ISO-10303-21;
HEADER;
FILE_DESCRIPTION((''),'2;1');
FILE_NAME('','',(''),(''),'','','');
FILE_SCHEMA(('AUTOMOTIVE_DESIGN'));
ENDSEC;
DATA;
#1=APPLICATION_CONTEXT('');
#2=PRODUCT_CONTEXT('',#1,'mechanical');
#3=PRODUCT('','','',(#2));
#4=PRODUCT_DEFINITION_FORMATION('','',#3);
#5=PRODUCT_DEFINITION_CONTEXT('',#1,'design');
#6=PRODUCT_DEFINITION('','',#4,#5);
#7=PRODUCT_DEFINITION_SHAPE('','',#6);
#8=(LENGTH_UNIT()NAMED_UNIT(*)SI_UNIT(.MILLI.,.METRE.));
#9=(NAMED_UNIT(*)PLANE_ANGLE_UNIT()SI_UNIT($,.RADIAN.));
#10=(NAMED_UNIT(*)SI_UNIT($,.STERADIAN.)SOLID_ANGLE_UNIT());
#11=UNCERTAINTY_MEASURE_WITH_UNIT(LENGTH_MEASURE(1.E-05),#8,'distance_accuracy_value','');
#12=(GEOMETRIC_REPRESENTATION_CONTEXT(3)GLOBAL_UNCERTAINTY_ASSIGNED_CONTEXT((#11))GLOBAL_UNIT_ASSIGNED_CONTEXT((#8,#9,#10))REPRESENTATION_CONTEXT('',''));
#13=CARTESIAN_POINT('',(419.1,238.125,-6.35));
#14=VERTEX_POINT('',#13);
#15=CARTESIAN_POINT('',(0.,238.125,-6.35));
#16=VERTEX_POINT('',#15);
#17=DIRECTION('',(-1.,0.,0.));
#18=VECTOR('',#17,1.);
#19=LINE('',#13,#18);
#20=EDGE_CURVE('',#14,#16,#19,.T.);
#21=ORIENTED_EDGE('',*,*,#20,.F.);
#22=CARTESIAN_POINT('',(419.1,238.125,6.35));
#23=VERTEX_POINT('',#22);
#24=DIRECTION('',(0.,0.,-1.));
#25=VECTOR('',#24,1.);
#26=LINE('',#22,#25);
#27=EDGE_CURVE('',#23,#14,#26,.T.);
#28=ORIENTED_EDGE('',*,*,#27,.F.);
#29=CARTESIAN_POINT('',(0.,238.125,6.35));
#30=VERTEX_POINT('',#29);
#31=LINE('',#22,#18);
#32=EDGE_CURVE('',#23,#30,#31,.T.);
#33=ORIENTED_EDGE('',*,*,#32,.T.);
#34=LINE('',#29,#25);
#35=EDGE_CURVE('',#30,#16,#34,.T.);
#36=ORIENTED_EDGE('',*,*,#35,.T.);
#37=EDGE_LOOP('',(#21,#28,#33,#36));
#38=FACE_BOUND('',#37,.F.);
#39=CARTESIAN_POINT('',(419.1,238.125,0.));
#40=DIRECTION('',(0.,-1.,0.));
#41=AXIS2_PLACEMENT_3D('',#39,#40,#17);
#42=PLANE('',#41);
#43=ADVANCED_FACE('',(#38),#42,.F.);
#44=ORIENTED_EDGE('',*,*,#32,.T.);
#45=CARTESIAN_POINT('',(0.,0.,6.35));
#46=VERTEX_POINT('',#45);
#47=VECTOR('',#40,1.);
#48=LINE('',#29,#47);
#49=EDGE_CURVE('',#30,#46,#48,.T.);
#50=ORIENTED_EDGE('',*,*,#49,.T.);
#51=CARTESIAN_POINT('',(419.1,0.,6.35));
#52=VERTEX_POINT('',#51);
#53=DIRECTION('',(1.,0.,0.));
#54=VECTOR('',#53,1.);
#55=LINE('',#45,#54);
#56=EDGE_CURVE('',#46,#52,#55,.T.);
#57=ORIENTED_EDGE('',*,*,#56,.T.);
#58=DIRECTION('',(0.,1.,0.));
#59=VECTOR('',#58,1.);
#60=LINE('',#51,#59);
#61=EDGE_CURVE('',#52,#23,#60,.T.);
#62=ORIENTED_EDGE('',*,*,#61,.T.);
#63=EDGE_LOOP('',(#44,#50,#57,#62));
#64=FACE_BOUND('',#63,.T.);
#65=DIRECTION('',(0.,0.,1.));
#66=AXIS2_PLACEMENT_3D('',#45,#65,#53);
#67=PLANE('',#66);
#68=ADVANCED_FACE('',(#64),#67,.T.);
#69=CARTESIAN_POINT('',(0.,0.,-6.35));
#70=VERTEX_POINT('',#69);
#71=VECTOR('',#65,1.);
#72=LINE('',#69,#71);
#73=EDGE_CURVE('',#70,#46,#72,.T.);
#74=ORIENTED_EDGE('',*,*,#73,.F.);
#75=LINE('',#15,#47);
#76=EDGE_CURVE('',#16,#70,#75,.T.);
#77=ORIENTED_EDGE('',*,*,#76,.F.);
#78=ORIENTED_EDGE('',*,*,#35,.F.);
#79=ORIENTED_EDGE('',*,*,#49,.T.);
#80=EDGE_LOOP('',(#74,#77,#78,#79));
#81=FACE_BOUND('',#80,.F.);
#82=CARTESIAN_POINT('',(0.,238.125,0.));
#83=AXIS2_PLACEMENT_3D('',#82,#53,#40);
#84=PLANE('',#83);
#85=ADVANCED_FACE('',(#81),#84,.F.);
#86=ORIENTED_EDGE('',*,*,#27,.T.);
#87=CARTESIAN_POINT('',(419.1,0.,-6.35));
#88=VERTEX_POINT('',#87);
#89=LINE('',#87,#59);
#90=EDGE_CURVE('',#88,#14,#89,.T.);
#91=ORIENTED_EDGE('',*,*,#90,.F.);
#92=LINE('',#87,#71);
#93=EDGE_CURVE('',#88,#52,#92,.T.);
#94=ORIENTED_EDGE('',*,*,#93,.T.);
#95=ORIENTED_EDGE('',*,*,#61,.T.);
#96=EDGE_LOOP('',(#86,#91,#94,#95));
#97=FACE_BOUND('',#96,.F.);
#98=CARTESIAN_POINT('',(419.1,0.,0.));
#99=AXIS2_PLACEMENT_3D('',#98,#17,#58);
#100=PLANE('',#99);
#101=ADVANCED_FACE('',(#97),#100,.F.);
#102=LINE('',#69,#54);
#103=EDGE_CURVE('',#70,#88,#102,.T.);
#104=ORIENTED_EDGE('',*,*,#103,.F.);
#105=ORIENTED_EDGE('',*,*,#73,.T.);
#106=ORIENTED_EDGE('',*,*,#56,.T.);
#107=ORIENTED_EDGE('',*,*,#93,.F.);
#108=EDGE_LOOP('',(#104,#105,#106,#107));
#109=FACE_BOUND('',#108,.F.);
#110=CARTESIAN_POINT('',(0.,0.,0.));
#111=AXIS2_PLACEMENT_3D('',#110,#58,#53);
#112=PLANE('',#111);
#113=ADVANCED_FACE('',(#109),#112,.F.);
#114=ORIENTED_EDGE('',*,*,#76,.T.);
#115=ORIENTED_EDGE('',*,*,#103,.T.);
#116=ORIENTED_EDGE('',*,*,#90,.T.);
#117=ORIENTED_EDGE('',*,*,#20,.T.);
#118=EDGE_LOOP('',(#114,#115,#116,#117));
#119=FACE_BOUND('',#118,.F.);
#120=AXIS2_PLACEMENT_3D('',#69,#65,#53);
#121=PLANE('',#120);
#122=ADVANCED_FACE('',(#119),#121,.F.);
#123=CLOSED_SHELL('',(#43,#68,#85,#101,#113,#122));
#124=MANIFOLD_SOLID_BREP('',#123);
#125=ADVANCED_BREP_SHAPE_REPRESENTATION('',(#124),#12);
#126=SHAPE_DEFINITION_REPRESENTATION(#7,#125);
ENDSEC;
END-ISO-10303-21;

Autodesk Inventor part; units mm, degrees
ref_plane "YZ Plane" through (0, 0, 0) normal (1, 0, 0) x (0, 1, 0)
ref_plane "XZ Plane" through (0, 0, 0) normal (0, 1, 0) x (-1, 0, 0)
ref_plane "XY Plane" through (0, 0, 0) normal (0, 0, 1) x (1, 0, 0)
sketch "Sketch1" plane through (0, 0, 0) normal (0, 0, 1) x (1, 0, 0)
  line L0 (0, 0) -> (419.1, 0)
  line L1 (419.1, 0) -> (419.1, 238.125)
  line L2 (419.1, 238.125) -> (0, 238.125)
  line L3 (0, 238.125) -> (0, 0)
  dimension "d0" = 419.1
  dimension "d1" = 238.125
extrude "Extrusion1" add sketch "Sketch1" along normal mid plane 12.7
equation "\"d0\" = Length"
equation "\"d1\" = Width"
equation "\"d2\" = Thick"
equation "\"Length\" = 419.1"
equation "\"Width\" = 238.125"
equation "\"Thick\" = 12.7"
properties part number "TopWall"
